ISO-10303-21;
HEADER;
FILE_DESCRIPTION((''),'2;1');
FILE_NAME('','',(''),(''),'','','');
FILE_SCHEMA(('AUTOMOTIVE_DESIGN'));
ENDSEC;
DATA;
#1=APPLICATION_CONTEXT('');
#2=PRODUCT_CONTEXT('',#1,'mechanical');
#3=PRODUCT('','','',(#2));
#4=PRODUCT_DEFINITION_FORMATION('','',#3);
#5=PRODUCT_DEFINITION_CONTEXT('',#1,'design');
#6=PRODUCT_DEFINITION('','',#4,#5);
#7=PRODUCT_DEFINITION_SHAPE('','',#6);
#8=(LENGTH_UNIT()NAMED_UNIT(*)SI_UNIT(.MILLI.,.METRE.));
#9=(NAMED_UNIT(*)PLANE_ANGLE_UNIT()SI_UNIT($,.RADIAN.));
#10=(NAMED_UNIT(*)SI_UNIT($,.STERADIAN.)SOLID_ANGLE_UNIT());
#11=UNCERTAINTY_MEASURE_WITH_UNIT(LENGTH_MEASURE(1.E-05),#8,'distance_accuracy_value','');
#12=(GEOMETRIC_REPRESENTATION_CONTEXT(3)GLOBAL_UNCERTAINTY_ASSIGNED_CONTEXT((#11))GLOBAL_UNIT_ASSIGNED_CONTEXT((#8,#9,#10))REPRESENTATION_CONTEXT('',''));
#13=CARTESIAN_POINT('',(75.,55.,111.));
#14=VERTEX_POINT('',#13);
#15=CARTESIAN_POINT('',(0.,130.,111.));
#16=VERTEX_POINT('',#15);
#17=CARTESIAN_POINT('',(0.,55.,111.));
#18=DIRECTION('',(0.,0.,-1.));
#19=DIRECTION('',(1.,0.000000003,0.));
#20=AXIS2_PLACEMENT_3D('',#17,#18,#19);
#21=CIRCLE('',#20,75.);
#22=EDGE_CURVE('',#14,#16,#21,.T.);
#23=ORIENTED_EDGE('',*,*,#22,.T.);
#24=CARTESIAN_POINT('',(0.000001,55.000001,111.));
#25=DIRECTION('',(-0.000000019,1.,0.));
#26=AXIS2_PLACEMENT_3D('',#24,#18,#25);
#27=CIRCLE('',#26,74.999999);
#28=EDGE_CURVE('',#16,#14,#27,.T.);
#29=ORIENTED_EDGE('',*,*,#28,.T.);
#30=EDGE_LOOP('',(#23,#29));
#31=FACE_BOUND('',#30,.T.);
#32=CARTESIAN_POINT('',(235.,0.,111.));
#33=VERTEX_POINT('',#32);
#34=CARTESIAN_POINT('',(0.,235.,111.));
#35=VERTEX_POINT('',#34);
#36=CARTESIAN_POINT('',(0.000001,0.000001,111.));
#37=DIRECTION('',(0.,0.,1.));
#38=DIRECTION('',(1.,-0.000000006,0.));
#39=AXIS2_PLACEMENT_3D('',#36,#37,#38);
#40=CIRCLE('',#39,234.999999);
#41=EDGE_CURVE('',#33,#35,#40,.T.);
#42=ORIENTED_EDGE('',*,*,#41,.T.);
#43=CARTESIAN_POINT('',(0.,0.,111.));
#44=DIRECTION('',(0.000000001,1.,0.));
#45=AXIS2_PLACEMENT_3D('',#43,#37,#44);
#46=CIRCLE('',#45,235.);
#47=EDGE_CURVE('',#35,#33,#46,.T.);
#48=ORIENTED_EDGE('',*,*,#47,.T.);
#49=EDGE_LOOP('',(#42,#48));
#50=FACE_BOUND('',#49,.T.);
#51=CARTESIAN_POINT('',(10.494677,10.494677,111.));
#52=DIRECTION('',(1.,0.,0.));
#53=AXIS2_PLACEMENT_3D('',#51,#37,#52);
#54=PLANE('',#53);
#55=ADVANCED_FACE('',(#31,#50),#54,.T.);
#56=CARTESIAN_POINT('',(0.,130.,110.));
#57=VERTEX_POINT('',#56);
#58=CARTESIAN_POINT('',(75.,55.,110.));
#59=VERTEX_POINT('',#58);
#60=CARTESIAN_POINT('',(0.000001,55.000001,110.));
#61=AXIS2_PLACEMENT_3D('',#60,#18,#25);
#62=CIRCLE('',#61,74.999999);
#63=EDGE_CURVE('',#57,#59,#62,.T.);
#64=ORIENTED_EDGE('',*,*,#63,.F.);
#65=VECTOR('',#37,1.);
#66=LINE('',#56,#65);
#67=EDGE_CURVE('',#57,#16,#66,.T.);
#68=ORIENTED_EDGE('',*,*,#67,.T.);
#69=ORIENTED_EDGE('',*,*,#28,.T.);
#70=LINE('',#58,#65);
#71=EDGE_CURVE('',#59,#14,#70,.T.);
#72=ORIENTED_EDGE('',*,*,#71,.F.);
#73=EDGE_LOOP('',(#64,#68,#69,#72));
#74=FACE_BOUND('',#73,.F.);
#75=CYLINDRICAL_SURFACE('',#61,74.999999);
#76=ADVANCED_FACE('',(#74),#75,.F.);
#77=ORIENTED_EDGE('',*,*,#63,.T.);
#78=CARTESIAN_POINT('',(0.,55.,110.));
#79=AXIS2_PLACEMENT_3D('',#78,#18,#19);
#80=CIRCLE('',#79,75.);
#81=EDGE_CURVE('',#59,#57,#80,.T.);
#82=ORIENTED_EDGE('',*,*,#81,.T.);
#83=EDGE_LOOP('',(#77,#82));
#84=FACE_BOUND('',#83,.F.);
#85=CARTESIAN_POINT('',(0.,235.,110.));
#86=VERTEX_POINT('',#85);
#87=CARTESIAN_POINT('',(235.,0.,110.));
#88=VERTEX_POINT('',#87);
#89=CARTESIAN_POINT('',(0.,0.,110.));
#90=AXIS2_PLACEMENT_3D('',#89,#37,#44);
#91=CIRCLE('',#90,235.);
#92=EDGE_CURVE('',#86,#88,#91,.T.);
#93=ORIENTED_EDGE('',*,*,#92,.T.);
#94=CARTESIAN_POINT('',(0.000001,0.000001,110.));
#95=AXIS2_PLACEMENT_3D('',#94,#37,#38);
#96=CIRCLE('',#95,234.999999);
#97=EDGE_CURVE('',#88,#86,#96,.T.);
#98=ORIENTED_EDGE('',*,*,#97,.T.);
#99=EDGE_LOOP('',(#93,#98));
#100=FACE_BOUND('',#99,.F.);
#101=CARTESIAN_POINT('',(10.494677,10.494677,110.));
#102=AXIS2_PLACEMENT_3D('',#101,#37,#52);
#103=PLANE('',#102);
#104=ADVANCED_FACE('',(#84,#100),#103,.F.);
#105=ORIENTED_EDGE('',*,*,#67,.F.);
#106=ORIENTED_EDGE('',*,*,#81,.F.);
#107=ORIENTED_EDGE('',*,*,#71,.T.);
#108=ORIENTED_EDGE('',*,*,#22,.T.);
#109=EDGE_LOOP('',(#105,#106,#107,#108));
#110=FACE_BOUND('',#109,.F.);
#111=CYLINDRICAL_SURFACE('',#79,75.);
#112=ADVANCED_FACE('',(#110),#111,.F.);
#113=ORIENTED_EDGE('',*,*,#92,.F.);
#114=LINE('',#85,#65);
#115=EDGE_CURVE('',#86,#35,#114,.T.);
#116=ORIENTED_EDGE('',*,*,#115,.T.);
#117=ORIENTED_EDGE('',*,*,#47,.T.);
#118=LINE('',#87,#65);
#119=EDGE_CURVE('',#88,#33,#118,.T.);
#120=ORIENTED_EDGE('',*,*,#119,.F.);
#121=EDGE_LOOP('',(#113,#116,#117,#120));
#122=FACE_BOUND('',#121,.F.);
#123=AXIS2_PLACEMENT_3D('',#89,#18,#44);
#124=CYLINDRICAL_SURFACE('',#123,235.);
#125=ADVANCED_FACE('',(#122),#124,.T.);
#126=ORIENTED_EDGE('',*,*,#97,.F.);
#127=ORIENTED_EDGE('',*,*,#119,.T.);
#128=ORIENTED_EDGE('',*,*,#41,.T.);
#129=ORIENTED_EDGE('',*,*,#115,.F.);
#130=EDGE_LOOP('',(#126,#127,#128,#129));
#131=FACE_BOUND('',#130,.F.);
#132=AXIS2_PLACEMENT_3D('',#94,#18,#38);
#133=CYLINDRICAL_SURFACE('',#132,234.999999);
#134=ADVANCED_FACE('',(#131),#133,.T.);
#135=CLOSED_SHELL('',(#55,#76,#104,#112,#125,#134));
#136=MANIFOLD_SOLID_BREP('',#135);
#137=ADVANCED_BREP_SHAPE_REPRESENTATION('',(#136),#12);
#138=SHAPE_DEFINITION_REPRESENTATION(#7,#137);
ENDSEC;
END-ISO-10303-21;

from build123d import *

# Parameters (mm, degrees)
F0_W     = 235
F0_H     = 110
F2_T     = -1
F4_DEPTH = 1


with BuildPart() as f1:
    # F0 (on Front) → F1 (revolve)
    with BuildSketch(Plane.XZ):
        with Locations((-117.5, 55)):
            Rectangle(F0_W, F0_H)
    revolve(axis=Axis((0, 0, 55), (0, 0, -1)))

    # F2
    f2_openings = [f1.faces().sort_by_distance(p)[0] for p in [
        (0, 0, 0),
    ]]
    offset(amount=F2_T, openings=f2_openings)


with BuildPart() as f4:
    # F3 (on face) → F4 (new body)
    with BuildSketch(Plane.XY.offset(110)):
        with BuildLine():
            ThreePointArc((235, 0), (166.170094, 166.170094), (0, 235))
            ThreePointArc((0, 235), (-166.170094, -166.170094), (235, 0))
        make_face()
        with BuildLine():
            ThreePointArc((140, 55), (-98.994949, -43.994949), (0, 195))
            ThreePointArc((0, 195), (98.994949, 153.994949), (140, 55))
        make_face(mode=Mode.SUBTRACT)
        with BuildLine():
            ThreePointArc((140, 55), (98.994949, 153.994949), (0, 195))
            ThreePointArc((0, 195), (-98.994949, -43.994949), (140, 55))
        make_face()
        with BuildLine():
            ThreePointArc((75, 55), (-53.033009, 1.966991), (0, 130))
            ThreePointArc((0, 130), (53.033009, 108.033009), (75, 55))
        make_face(mode=Mode.SUBTRACT)
    extrude(amount=F4_DEPTH)


solid = f4.part
